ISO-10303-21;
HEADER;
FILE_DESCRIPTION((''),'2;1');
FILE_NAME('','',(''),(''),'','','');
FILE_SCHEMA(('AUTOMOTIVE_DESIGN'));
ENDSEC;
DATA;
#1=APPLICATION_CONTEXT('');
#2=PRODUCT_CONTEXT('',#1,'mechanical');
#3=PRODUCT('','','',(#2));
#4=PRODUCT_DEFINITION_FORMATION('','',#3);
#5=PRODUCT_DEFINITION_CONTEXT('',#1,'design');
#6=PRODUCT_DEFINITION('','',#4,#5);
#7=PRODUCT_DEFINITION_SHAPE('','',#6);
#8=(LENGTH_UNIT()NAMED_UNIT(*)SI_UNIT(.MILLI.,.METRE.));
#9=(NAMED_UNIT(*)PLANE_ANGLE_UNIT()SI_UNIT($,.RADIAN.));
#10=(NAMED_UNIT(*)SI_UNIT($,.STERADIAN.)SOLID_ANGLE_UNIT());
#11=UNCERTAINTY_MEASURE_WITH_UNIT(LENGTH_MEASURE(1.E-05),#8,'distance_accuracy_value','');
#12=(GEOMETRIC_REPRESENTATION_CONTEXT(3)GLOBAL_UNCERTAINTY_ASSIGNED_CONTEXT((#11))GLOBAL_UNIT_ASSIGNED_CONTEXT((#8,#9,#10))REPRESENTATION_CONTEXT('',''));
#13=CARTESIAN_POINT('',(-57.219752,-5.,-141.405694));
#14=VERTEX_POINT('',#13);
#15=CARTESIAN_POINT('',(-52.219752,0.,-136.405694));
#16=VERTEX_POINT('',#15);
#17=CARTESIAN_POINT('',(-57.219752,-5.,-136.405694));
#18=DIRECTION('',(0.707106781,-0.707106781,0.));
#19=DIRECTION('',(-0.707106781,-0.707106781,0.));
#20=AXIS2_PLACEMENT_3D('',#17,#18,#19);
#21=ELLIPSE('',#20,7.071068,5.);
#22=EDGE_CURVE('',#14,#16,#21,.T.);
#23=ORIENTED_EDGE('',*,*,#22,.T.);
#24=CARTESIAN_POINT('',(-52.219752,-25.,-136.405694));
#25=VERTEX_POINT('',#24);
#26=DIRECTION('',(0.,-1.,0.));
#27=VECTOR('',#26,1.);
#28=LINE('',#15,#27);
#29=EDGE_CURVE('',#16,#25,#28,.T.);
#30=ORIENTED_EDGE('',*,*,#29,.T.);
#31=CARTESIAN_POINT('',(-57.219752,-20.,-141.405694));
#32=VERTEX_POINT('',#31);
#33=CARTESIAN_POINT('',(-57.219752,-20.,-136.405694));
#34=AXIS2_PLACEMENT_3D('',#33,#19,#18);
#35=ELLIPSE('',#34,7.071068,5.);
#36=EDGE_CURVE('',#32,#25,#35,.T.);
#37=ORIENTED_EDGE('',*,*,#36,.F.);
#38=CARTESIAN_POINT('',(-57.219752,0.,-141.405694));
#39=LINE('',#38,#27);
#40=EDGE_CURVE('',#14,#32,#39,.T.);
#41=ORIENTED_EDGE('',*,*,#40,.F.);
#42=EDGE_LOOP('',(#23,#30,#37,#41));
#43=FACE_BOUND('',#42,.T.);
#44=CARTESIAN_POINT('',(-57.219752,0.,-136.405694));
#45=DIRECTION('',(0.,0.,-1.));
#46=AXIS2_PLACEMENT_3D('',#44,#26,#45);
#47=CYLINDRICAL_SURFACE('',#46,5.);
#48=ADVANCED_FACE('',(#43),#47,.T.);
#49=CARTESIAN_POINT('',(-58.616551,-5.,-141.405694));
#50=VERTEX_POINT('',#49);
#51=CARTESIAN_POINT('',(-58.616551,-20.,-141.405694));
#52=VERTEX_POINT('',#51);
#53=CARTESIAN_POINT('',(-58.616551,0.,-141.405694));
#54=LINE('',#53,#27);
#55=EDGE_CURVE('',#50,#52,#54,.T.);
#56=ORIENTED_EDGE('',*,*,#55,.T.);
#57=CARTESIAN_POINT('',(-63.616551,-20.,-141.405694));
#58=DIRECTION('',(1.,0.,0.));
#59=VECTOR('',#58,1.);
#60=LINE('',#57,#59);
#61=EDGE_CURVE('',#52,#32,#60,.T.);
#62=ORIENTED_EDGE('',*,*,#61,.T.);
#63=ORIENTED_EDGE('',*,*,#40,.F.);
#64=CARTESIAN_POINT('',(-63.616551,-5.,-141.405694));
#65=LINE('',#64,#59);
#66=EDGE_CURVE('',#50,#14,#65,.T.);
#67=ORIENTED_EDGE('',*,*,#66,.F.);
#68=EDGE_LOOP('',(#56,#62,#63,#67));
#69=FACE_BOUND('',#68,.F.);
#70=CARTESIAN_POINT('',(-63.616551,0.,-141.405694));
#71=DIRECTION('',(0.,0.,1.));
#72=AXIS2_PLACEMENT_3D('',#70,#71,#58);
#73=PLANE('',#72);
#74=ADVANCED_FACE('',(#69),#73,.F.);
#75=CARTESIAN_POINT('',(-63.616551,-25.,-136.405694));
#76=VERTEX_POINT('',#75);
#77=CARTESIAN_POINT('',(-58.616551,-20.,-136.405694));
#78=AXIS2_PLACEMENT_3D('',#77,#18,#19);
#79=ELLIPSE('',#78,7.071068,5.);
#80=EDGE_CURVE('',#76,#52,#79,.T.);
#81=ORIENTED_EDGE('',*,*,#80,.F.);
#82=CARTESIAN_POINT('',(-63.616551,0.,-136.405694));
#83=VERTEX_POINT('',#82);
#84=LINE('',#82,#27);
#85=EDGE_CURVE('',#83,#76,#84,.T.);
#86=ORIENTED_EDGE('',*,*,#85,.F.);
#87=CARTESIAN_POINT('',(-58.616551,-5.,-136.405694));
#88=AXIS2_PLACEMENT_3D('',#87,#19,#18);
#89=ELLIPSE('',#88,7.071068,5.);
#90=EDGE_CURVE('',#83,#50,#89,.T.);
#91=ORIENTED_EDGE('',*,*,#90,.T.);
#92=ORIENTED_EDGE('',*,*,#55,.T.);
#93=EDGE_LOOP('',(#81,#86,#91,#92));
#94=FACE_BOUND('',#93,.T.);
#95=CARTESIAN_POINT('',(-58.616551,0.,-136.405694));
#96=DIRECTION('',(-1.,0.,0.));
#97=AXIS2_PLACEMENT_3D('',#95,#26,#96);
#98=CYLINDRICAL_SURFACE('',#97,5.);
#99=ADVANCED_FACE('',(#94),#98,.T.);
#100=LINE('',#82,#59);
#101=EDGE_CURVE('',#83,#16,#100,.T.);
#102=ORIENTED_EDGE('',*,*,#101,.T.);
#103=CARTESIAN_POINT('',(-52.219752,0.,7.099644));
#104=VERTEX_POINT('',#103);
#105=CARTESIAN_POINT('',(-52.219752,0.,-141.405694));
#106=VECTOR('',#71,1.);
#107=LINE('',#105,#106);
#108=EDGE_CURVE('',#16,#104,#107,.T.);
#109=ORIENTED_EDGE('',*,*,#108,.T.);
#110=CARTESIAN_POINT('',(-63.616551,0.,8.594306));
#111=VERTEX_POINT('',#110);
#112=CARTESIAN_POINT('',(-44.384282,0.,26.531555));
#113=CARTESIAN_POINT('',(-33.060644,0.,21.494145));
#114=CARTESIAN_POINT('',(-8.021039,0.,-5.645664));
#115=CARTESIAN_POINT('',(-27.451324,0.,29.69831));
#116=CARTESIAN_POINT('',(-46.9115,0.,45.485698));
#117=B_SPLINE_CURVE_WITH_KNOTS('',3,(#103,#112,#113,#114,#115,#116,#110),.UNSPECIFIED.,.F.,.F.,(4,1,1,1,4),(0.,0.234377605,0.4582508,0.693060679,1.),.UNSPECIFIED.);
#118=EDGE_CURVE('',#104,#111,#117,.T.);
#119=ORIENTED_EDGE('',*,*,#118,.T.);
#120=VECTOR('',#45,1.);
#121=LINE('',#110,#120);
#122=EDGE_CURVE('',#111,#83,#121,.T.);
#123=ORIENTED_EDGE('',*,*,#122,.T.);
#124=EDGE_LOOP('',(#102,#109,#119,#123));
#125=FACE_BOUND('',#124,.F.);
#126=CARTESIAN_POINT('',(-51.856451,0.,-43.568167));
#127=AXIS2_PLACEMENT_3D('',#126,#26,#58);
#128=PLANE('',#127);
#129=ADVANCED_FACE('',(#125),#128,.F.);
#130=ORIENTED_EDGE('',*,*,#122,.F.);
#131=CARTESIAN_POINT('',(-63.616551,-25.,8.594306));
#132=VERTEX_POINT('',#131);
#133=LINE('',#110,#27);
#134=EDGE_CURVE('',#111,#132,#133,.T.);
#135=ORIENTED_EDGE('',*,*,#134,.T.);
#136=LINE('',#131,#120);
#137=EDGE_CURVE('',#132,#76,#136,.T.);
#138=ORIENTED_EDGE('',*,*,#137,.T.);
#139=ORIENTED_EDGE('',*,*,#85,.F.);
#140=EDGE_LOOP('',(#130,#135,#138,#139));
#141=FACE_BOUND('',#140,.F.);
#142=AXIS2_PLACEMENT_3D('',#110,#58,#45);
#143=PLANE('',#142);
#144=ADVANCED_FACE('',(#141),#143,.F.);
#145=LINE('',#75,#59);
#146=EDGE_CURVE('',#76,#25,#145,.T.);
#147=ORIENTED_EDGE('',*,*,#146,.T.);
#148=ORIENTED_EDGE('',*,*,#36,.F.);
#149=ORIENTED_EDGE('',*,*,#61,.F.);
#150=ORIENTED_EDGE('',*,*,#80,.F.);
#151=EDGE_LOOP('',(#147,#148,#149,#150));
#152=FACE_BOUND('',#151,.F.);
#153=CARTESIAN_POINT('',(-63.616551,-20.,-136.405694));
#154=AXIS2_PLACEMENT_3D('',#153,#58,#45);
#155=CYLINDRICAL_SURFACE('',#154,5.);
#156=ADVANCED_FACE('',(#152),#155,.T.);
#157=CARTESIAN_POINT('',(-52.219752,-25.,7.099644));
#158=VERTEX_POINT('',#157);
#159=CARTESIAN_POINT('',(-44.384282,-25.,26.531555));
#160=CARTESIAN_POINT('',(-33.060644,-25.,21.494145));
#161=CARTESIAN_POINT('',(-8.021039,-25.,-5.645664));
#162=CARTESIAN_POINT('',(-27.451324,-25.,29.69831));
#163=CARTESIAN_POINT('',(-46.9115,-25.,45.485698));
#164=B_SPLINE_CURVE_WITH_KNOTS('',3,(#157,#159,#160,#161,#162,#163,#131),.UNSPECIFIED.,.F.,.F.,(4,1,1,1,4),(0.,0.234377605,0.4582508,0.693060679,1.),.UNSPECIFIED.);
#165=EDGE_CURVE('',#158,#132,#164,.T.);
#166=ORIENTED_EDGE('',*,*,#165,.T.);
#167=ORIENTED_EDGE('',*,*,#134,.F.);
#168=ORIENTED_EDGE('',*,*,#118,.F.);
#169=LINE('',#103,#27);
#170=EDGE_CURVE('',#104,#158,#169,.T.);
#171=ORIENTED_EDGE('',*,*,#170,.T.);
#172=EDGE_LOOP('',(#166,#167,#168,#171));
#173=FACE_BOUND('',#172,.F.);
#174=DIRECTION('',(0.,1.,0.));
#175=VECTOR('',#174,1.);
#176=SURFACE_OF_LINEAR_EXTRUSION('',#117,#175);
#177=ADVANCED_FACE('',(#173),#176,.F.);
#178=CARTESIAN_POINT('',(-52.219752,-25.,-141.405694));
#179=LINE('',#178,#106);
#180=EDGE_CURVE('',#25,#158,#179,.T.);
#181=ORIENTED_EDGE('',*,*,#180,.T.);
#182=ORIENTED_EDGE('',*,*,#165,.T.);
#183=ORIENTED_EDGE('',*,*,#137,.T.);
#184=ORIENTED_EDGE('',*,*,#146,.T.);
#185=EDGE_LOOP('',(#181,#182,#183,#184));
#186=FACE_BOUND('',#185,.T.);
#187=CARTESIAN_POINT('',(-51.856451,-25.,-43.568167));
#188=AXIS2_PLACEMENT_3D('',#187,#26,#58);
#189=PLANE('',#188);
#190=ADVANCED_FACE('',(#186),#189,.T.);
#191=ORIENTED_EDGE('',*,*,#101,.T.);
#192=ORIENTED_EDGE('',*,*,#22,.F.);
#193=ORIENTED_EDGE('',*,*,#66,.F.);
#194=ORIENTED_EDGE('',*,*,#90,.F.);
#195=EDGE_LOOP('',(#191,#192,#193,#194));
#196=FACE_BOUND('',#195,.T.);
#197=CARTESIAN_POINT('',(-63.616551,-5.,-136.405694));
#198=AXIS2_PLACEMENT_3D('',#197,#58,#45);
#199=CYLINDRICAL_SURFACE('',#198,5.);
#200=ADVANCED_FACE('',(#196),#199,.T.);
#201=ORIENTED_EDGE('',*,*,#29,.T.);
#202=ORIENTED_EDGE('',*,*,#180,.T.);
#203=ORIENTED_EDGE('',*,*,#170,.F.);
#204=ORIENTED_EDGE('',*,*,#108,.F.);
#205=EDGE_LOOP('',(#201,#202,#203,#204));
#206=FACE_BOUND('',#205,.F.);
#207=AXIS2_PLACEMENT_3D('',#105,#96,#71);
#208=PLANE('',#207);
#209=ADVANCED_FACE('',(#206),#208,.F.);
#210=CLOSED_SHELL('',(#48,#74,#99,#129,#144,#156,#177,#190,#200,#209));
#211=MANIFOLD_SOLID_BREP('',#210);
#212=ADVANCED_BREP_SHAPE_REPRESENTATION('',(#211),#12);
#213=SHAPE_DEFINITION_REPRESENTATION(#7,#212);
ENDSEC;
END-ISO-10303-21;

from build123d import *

# Parameters (mm, degrees)
F1_DEPTH = 25
F2_R     = 5


with BuildPart() as f1:
    # F0 (on Front) → F1 (new body)
    with BuildSketch(Plane.XZ):
        with BuildLine():
            add(Edge.make_bspline(
                [(-52.2197522223, 7.099644281), (-44.3842820823, 26.5315547585), (-33.060644271, 21.4941448198), (-8.0210389263, -5.6456637874), (-27.4513239724, 29.6983099043), (-46.9115003943, 45.4856976867), (-63.6165514588, 8.5943061858)],
                knots=[0, 0, 0, 0, 0.2343776051, 0.4582508003, 0.6930606787, 1, 1, 1, 1], degree=3))
            Line((-63.6165514588, 8.5943061858), (-63.6165514588, -141.4056938142))
            Line((-63.6165514588, -141.4056938142), (-52.2197522223, -141.4056938142))
            Line((-52.2197522223, -141.4056938142), (-52.2197522223, 7.099644281))
        make_face()
    extrude(amount=F1_DEPTH)

    # F2
    f2_edges = [f1.edges().sort_by_distance(p)[0] for p in [
        (-63.616551, -12.5, -141.405694),
        (-52.219752, -12.5, -141.405694),
        (-57.918152, 0, -141.405694),
        (-57.918152, -25, -141.405694),
    ]]
    fillet(f2_edges, radius=F2_R)


solid = f1.part
